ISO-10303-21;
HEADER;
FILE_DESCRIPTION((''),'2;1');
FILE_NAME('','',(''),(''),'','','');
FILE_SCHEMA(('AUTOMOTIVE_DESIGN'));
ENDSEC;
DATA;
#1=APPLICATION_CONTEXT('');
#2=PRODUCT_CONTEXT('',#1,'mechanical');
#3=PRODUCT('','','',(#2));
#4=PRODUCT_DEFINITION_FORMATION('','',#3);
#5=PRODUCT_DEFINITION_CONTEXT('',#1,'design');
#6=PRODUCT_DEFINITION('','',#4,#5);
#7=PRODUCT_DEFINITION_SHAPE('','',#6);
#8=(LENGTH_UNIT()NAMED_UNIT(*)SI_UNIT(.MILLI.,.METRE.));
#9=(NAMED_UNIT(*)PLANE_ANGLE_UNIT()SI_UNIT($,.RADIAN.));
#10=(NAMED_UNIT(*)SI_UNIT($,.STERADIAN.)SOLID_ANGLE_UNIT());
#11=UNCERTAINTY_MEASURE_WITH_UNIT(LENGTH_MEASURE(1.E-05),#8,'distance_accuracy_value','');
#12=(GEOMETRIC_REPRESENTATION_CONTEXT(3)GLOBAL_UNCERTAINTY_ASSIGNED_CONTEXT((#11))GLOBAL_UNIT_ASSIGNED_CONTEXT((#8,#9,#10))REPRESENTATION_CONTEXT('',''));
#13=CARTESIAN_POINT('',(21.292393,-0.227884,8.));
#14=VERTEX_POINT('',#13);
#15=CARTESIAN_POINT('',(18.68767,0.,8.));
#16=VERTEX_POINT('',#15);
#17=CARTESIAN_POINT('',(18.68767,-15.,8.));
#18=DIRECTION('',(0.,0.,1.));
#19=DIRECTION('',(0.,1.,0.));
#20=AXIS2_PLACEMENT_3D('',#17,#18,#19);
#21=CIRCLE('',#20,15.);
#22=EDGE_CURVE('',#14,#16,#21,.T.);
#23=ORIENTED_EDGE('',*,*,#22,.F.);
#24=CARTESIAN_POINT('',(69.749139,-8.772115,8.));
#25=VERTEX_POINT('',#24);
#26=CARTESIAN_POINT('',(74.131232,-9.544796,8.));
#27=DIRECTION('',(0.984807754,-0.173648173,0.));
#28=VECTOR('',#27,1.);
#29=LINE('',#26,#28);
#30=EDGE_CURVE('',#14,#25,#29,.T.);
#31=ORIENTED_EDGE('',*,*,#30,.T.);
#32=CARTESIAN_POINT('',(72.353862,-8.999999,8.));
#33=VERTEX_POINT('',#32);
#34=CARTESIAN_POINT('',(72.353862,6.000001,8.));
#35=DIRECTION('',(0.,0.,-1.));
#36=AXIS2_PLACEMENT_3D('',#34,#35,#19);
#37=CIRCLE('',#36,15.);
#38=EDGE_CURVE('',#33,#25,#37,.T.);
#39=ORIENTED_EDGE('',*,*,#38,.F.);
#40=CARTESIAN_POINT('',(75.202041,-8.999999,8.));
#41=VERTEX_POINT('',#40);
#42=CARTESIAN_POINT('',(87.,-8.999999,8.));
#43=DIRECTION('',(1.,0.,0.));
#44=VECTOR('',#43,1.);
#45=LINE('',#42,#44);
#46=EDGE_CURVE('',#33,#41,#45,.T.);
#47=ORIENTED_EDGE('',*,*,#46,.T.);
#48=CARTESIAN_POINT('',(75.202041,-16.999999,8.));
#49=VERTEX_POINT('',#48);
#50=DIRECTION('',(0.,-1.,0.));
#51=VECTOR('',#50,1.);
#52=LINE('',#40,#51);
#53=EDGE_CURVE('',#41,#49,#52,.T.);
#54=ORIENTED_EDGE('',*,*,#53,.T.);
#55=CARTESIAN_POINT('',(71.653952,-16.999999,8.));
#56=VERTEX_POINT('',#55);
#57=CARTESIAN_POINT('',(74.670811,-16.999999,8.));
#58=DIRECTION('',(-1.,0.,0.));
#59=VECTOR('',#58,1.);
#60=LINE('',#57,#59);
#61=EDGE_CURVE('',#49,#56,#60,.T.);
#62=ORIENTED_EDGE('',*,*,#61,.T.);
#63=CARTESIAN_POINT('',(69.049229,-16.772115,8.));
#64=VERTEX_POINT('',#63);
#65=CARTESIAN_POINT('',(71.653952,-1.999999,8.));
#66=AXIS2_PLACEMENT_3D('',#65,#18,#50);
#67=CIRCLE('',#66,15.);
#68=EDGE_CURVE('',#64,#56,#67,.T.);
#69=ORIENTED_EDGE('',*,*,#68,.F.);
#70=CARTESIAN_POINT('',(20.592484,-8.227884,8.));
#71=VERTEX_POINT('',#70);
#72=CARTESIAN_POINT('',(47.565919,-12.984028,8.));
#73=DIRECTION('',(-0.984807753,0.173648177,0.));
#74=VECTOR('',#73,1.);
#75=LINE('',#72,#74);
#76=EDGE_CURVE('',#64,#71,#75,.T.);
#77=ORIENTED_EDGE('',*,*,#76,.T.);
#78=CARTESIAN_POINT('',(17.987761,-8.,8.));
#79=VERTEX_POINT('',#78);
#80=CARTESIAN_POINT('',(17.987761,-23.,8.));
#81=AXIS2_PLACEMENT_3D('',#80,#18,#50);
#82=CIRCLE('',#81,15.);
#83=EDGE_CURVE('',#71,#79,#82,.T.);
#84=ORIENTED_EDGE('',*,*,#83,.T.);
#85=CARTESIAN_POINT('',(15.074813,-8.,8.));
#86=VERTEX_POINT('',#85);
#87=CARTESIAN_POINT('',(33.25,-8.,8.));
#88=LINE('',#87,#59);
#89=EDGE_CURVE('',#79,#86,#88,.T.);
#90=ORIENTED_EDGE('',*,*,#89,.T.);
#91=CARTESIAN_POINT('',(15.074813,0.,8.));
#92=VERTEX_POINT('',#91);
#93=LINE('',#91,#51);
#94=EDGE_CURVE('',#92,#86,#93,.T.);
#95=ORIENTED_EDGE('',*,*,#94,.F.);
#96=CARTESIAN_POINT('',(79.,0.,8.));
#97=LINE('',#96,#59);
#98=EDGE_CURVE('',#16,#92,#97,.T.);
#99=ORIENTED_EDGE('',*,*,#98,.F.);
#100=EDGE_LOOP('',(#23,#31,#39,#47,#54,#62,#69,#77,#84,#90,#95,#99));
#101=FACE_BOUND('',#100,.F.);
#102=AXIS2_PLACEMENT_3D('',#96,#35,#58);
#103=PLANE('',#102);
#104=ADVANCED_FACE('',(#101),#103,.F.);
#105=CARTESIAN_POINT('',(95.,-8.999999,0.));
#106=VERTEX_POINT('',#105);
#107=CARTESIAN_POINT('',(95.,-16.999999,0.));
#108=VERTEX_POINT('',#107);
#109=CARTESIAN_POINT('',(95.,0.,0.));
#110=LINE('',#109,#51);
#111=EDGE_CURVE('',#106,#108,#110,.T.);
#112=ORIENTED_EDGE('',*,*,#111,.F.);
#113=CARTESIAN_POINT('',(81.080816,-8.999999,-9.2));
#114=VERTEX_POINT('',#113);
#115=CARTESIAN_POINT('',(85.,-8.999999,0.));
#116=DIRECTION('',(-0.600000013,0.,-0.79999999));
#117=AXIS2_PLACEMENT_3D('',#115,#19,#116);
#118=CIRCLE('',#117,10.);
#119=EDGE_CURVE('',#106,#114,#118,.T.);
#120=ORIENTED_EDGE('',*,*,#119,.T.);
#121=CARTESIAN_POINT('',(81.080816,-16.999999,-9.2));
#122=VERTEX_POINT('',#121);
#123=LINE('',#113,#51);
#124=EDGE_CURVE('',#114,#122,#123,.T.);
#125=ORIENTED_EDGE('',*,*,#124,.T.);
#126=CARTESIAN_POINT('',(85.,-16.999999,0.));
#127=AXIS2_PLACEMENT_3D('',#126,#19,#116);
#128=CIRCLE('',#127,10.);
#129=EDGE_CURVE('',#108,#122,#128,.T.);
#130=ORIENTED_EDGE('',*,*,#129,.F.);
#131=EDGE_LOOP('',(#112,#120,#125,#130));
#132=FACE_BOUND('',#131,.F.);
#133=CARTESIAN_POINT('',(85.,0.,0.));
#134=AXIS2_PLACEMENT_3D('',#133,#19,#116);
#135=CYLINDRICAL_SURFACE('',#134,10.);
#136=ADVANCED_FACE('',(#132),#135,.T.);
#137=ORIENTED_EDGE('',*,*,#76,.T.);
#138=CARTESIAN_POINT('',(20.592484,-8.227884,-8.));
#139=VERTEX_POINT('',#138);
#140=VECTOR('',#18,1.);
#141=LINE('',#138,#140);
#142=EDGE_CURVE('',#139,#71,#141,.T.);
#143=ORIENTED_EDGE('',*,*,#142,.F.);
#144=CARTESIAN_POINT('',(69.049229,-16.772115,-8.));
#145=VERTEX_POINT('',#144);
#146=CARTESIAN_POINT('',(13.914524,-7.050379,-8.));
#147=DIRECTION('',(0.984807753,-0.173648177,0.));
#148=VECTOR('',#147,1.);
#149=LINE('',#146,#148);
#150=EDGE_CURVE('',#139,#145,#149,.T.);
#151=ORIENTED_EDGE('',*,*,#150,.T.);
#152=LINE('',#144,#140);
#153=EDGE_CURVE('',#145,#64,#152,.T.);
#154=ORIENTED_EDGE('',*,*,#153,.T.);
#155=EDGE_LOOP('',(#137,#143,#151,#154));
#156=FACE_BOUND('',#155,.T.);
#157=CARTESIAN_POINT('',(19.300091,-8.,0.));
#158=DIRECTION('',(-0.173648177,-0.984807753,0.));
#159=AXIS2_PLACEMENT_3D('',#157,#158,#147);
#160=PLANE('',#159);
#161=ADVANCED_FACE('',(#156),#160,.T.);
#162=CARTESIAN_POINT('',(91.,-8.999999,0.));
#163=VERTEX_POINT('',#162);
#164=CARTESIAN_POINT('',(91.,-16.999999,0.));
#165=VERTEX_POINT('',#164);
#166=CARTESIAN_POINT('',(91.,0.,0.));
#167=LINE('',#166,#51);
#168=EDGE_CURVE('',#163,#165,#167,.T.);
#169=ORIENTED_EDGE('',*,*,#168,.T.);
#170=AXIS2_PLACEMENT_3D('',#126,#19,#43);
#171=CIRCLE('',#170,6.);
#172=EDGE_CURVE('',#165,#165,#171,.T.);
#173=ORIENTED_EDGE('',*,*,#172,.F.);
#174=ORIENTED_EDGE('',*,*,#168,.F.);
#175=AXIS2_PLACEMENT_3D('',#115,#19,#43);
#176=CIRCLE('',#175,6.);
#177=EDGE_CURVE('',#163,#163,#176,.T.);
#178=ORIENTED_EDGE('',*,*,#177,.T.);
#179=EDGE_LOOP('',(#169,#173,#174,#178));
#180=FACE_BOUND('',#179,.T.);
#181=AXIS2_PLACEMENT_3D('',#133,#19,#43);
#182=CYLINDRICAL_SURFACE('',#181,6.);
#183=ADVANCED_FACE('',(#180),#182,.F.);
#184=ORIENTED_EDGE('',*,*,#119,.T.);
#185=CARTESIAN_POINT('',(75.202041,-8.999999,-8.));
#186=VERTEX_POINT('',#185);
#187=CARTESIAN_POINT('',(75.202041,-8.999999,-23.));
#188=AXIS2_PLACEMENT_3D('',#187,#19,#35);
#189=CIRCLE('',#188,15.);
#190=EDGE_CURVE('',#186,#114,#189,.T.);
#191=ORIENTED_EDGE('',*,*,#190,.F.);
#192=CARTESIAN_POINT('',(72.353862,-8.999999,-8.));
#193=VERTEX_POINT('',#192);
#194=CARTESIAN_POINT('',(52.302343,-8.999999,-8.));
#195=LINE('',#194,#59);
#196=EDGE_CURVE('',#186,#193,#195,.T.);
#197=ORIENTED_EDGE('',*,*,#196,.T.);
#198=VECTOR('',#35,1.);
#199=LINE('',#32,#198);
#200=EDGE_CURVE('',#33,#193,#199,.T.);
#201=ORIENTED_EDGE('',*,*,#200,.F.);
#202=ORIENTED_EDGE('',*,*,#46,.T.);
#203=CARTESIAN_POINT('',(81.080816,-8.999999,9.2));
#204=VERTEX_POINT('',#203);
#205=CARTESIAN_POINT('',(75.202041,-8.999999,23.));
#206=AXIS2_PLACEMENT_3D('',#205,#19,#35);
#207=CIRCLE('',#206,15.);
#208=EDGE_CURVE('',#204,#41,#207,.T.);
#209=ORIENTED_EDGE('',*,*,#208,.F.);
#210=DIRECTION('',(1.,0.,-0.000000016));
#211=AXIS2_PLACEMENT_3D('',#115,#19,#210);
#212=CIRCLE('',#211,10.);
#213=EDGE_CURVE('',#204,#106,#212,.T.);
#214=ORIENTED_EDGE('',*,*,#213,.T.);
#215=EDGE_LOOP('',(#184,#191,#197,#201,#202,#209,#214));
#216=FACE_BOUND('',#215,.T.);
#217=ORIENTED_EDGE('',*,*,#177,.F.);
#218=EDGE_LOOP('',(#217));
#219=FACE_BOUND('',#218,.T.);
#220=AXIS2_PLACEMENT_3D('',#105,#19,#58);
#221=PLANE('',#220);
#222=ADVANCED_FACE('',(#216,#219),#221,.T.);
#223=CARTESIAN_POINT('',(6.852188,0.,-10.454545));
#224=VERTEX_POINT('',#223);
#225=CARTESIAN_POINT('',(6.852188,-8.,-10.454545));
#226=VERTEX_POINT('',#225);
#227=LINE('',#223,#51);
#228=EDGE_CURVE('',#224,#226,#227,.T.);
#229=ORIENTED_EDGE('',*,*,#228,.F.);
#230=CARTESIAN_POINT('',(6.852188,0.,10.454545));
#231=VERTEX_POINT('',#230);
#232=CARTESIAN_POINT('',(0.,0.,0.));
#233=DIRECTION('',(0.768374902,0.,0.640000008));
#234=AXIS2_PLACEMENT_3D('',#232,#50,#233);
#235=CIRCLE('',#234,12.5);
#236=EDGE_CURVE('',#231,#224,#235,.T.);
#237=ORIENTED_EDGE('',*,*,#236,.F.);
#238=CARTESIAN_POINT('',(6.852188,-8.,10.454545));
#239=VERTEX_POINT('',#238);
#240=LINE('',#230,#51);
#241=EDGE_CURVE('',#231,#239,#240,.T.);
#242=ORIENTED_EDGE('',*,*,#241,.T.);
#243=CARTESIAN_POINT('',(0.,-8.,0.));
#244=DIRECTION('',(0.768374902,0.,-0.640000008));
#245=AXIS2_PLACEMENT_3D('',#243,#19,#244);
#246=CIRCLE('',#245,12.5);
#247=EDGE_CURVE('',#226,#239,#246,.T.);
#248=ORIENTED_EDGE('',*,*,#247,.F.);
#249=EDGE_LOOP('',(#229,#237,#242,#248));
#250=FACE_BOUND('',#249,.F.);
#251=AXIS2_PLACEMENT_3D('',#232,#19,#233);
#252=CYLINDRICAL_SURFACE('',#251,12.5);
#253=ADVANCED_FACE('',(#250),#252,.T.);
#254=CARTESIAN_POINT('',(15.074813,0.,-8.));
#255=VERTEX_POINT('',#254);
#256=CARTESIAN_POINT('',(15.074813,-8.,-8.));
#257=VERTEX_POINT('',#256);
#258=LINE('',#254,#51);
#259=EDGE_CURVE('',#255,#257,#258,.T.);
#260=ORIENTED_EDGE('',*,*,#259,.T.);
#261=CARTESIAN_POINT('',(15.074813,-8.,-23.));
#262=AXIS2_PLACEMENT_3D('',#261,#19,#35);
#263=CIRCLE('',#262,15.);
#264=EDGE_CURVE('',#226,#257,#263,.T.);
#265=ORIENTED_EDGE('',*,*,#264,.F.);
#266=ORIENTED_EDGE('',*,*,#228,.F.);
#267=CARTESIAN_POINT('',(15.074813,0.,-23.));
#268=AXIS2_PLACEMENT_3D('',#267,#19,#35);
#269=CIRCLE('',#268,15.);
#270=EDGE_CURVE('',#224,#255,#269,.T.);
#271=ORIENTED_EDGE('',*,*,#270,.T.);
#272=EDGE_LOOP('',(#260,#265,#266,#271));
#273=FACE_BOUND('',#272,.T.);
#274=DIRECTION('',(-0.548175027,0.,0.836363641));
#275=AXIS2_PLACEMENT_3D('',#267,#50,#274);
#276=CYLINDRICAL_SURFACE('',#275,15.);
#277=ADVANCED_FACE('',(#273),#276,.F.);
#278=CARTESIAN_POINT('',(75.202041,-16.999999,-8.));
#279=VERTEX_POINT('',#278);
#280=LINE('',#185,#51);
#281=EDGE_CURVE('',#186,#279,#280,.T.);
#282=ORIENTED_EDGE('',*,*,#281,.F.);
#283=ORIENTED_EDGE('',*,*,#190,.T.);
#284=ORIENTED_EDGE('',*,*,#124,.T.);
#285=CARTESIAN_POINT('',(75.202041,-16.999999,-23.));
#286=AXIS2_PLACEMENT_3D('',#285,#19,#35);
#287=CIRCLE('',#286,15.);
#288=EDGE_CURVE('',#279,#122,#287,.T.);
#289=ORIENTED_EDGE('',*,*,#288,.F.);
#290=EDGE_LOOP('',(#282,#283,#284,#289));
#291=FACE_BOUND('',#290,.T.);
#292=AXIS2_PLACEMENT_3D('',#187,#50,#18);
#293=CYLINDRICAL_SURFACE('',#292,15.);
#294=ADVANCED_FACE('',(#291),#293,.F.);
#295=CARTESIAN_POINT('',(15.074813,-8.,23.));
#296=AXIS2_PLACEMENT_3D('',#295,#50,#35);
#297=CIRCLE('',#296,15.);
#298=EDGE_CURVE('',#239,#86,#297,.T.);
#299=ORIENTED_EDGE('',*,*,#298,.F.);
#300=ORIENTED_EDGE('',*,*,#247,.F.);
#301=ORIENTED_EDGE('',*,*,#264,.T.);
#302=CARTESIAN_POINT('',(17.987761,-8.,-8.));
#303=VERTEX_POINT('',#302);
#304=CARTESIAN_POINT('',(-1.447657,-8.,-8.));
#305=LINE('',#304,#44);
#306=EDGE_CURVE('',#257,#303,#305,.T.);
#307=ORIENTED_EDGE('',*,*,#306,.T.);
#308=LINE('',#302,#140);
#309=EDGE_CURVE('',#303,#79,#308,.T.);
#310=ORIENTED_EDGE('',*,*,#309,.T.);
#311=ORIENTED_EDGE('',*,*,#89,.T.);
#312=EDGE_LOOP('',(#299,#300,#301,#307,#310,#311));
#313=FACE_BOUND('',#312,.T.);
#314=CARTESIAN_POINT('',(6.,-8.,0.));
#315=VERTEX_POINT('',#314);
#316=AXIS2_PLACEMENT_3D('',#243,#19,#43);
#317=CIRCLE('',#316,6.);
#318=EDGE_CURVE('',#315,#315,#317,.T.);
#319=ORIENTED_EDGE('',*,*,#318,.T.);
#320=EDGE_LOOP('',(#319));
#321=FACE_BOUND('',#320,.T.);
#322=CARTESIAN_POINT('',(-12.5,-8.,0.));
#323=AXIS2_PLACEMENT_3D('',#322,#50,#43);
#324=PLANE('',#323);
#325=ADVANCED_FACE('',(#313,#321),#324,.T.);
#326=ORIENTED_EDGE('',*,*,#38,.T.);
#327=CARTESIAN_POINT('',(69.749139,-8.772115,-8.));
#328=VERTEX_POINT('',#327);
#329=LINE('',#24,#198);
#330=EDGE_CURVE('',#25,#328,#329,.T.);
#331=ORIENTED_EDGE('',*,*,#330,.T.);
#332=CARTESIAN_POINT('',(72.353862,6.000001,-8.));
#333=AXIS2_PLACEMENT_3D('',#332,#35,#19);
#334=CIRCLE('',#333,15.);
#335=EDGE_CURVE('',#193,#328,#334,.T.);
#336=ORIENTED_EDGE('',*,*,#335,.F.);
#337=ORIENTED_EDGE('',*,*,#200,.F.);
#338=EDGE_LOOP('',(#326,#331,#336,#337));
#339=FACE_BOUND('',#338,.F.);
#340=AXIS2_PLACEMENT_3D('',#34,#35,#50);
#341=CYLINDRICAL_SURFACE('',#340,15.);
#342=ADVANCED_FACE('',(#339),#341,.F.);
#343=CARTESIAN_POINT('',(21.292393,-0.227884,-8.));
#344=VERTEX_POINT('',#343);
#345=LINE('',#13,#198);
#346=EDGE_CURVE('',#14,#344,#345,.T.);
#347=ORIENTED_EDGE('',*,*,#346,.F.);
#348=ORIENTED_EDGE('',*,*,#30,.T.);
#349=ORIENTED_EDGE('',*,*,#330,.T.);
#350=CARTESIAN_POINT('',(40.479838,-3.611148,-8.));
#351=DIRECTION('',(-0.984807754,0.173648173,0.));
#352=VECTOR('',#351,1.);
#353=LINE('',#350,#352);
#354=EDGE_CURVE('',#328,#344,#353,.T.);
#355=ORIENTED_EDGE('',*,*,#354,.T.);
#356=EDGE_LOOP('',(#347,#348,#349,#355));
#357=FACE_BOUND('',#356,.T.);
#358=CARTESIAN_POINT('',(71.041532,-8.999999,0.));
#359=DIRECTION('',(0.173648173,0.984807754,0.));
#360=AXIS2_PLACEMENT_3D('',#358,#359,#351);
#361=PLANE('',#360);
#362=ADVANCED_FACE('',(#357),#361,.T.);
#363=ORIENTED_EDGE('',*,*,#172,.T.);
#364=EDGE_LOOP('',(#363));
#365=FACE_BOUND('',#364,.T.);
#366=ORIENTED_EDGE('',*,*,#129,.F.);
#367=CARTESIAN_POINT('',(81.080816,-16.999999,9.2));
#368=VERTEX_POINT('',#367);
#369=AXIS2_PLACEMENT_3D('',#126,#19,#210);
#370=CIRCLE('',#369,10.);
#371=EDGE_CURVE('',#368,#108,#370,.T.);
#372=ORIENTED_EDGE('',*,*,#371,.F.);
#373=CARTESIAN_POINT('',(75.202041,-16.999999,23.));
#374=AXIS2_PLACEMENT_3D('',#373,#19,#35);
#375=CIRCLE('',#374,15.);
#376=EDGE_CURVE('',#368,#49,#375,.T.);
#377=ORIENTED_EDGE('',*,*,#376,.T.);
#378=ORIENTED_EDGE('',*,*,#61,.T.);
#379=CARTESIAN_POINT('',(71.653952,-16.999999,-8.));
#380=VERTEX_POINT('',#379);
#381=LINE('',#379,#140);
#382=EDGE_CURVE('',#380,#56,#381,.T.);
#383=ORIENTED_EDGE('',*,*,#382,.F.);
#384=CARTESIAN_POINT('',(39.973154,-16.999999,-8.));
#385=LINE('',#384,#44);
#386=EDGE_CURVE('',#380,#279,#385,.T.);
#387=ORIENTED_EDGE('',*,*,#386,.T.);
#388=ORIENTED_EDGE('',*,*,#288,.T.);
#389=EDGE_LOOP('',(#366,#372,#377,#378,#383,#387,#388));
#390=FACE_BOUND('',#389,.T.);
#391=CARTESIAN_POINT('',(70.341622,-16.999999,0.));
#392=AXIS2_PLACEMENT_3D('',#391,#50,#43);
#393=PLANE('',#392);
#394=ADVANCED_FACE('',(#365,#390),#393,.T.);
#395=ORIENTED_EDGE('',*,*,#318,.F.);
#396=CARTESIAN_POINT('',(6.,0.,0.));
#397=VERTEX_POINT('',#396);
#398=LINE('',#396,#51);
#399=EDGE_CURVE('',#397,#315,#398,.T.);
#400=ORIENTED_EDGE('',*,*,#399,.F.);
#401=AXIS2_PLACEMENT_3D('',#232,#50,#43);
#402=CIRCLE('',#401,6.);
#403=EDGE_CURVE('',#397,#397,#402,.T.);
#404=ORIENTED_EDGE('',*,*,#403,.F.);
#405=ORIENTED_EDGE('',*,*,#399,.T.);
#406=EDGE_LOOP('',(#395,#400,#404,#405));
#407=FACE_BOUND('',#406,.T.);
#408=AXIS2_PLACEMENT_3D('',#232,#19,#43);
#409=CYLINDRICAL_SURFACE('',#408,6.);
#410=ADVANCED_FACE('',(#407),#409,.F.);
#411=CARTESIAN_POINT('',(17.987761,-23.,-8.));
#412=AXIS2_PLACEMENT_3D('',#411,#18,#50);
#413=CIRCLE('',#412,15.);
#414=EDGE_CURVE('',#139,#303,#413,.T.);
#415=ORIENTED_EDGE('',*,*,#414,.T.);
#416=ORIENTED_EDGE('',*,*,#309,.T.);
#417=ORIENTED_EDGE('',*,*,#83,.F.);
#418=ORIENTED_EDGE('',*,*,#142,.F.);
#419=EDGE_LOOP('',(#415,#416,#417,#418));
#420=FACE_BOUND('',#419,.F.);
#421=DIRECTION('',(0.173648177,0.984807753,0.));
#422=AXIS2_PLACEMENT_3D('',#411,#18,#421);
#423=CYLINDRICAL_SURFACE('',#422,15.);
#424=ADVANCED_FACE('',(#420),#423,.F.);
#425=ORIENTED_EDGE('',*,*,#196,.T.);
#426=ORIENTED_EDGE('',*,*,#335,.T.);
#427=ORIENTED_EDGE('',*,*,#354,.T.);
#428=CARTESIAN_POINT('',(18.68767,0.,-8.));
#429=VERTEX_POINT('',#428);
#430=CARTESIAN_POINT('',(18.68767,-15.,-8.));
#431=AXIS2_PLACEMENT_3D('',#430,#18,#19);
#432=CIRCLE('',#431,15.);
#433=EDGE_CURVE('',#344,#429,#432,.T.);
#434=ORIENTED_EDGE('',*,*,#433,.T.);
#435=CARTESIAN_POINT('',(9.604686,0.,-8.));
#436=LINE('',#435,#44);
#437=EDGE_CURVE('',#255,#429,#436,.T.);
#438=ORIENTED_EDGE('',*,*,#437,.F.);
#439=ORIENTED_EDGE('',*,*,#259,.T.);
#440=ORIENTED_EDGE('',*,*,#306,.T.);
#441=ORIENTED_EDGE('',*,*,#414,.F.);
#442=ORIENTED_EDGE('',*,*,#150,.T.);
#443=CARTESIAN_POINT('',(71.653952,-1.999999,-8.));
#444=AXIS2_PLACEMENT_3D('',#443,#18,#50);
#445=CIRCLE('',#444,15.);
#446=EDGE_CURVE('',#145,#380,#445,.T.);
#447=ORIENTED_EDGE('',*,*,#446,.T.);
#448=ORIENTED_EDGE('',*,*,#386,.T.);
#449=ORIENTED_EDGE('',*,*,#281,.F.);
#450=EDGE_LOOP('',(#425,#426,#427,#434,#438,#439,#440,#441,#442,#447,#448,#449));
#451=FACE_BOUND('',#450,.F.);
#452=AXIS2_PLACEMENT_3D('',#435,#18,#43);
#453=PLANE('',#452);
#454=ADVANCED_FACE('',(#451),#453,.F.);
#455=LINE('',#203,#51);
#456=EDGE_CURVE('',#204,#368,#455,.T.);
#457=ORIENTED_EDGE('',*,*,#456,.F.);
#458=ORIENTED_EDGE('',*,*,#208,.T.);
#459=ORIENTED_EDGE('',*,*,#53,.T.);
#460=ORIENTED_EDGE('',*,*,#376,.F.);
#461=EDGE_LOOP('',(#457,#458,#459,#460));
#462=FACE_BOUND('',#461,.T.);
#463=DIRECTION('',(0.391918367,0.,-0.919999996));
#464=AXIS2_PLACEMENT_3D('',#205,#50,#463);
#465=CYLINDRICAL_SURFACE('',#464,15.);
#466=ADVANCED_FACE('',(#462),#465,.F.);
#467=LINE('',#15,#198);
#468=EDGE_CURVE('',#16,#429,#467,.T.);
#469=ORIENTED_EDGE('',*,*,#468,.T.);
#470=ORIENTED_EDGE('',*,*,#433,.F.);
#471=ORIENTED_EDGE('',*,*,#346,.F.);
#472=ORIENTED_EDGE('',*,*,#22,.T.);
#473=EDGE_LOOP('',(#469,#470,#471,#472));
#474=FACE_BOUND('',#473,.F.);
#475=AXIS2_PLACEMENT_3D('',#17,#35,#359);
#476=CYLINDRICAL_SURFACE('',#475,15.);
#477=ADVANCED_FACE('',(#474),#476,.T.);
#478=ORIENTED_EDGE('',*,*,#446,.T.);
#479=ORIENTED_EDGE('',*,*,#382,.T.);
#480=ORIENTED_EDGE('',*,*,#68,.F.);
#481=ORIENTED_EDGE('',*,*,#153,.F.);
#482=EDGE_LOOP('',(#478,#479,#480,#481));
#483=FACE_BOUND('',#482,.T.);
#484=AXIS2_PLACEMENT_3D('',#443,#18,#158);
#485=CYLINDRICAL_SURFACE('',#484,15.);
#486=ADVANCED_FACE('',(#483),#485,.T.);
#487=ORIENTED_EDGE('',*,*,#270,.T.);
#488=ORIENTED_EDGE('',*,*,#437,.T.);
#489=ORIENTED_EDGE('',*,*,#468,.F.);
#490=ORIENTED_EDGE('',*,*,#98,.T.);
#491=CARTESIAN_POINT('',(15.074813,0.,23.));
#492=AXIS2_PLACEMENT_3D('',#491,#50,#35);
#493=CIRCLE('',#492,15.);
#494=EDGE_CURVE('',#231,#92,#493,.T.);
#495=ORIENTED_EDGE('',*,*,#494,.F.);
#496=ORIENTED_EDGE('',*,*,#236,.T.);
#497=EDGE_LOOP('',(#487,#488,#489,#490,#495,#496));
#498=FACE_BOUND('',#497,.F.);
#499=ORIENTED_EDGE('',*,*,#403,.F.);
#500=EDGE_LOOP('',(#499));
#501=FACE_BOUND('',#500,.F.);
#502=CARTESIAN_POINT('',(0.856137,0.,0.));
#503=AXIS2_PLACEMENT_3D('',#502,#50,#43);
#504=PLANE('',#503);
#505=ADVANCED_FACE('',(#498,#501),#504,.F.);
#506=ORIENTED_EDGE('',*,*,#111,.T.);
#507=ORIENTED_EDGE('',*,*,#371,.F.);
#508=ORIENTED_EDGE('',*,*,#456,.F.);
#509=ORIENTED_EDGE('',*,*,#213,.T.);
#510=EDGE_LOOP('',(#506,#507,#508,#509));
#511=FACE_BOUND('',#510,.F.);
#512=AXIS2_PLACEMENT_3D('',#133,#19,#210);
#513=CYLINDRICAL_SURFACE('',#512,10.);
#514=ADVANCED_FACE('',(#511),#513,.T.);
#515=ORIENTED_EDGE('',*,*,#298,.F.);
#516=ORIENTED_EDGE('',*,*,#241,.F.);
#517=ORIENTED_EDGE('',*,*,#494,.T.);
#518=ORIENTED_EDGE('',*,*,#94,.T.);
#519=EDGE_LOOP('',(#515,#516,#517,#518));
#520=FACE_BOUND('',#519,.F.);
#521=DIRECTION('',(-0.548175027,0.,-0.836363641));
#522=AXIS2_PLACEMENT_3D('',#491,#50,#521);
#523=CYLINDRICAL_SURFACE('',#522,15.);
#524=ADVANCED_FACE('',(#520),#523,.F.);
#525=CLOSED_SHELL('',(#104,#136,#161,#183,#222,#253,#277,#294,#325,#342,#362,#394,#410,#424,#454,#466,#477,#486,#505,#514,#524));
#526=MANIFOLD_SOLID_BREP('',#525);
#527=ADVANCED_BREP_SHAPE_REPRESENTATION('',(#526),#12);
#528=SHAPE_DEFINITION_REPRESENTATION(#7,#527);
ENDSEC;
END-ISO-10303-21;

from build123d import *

# Parameters (mm, degrees)
F0_R     = 6
F1_DEPTH = 25
F3_DEPTH = 12.5
F4_R     = 15


with BuildPart() as f1:
    # F0 (on Front) → F1 (new body)
    with BuildSketch(Plane.XZ):
        with BuildLine():
            ThreePointArc((9.604686, -8), (11.753905, -4.253905), (12.5, 0))
            ThreePointArc((12.5, 0), (11.753905, 4.253905), (9.604686, 8))
            ThreePointArc((9.604686, 8), (-12.5, 0), (9.604686, -8))
        make_face()
        Circle(F0_R, mode=Mode.SUBTRACT)
        with BuildLine():
            ThreePointArc((9.604686, 8), (11.753905, 4.253905), (12.5, 0))
            ThreePointArc((12.5, 0), (11.753905, -4.253905), (9.604686, -8))
            Line((9.604686, -8), (79, -8))
            ThreePointArc((79, -8), (75, 0), (79, 8))
            Line((79, 8), (9.604686, 8))
        make_face()
        with BuildLine():
            ThreePointArc((95, 0), (89.472136, 8.944272), (79, 8))
            ThreePointArc((79, 8), (75, 0), (79, -8))
            ThreePointArc((79, -8), (89.472136, -8.944272), (95, 0))
        make_face()
        with Locations((85, 0)):
            Circle(F0_R, mode=Mode.SUBTRACT)
    extrude(amount=F1_DEPTH)

    # F2 (on Top) → F3 (intersect, symmetric)
    with BuildSketch(Plane.XY):
        Polygon((20, 0), (-12.5, 0), (-12.5, -8), (19.300091, -8), (70.341622, -16.999999), (95, -16.999999), (95, -8.999999), (71.041532, -8.999999), align=None)
    extrude(amount=F3_DEPTH, both=True, mode=Mode.INTERSECT)

    # F4
    f4_edges = [f1.edges().sort_by_distance(p)[0] for p in [
        (20, 0, 0),
        (19.300091, -8, 0),
        (70.341622, -16.999999, 0),
        (71.041532, -8.999999, 0),
        (79, -12.999999, -8),
        (9.604686, -4, -8),
        (9.604686, -4, 8),
        (79, -12.999999, 8),
    ]]
    fillet(f4_edges, radius=F4_R)


solid = f1.part
